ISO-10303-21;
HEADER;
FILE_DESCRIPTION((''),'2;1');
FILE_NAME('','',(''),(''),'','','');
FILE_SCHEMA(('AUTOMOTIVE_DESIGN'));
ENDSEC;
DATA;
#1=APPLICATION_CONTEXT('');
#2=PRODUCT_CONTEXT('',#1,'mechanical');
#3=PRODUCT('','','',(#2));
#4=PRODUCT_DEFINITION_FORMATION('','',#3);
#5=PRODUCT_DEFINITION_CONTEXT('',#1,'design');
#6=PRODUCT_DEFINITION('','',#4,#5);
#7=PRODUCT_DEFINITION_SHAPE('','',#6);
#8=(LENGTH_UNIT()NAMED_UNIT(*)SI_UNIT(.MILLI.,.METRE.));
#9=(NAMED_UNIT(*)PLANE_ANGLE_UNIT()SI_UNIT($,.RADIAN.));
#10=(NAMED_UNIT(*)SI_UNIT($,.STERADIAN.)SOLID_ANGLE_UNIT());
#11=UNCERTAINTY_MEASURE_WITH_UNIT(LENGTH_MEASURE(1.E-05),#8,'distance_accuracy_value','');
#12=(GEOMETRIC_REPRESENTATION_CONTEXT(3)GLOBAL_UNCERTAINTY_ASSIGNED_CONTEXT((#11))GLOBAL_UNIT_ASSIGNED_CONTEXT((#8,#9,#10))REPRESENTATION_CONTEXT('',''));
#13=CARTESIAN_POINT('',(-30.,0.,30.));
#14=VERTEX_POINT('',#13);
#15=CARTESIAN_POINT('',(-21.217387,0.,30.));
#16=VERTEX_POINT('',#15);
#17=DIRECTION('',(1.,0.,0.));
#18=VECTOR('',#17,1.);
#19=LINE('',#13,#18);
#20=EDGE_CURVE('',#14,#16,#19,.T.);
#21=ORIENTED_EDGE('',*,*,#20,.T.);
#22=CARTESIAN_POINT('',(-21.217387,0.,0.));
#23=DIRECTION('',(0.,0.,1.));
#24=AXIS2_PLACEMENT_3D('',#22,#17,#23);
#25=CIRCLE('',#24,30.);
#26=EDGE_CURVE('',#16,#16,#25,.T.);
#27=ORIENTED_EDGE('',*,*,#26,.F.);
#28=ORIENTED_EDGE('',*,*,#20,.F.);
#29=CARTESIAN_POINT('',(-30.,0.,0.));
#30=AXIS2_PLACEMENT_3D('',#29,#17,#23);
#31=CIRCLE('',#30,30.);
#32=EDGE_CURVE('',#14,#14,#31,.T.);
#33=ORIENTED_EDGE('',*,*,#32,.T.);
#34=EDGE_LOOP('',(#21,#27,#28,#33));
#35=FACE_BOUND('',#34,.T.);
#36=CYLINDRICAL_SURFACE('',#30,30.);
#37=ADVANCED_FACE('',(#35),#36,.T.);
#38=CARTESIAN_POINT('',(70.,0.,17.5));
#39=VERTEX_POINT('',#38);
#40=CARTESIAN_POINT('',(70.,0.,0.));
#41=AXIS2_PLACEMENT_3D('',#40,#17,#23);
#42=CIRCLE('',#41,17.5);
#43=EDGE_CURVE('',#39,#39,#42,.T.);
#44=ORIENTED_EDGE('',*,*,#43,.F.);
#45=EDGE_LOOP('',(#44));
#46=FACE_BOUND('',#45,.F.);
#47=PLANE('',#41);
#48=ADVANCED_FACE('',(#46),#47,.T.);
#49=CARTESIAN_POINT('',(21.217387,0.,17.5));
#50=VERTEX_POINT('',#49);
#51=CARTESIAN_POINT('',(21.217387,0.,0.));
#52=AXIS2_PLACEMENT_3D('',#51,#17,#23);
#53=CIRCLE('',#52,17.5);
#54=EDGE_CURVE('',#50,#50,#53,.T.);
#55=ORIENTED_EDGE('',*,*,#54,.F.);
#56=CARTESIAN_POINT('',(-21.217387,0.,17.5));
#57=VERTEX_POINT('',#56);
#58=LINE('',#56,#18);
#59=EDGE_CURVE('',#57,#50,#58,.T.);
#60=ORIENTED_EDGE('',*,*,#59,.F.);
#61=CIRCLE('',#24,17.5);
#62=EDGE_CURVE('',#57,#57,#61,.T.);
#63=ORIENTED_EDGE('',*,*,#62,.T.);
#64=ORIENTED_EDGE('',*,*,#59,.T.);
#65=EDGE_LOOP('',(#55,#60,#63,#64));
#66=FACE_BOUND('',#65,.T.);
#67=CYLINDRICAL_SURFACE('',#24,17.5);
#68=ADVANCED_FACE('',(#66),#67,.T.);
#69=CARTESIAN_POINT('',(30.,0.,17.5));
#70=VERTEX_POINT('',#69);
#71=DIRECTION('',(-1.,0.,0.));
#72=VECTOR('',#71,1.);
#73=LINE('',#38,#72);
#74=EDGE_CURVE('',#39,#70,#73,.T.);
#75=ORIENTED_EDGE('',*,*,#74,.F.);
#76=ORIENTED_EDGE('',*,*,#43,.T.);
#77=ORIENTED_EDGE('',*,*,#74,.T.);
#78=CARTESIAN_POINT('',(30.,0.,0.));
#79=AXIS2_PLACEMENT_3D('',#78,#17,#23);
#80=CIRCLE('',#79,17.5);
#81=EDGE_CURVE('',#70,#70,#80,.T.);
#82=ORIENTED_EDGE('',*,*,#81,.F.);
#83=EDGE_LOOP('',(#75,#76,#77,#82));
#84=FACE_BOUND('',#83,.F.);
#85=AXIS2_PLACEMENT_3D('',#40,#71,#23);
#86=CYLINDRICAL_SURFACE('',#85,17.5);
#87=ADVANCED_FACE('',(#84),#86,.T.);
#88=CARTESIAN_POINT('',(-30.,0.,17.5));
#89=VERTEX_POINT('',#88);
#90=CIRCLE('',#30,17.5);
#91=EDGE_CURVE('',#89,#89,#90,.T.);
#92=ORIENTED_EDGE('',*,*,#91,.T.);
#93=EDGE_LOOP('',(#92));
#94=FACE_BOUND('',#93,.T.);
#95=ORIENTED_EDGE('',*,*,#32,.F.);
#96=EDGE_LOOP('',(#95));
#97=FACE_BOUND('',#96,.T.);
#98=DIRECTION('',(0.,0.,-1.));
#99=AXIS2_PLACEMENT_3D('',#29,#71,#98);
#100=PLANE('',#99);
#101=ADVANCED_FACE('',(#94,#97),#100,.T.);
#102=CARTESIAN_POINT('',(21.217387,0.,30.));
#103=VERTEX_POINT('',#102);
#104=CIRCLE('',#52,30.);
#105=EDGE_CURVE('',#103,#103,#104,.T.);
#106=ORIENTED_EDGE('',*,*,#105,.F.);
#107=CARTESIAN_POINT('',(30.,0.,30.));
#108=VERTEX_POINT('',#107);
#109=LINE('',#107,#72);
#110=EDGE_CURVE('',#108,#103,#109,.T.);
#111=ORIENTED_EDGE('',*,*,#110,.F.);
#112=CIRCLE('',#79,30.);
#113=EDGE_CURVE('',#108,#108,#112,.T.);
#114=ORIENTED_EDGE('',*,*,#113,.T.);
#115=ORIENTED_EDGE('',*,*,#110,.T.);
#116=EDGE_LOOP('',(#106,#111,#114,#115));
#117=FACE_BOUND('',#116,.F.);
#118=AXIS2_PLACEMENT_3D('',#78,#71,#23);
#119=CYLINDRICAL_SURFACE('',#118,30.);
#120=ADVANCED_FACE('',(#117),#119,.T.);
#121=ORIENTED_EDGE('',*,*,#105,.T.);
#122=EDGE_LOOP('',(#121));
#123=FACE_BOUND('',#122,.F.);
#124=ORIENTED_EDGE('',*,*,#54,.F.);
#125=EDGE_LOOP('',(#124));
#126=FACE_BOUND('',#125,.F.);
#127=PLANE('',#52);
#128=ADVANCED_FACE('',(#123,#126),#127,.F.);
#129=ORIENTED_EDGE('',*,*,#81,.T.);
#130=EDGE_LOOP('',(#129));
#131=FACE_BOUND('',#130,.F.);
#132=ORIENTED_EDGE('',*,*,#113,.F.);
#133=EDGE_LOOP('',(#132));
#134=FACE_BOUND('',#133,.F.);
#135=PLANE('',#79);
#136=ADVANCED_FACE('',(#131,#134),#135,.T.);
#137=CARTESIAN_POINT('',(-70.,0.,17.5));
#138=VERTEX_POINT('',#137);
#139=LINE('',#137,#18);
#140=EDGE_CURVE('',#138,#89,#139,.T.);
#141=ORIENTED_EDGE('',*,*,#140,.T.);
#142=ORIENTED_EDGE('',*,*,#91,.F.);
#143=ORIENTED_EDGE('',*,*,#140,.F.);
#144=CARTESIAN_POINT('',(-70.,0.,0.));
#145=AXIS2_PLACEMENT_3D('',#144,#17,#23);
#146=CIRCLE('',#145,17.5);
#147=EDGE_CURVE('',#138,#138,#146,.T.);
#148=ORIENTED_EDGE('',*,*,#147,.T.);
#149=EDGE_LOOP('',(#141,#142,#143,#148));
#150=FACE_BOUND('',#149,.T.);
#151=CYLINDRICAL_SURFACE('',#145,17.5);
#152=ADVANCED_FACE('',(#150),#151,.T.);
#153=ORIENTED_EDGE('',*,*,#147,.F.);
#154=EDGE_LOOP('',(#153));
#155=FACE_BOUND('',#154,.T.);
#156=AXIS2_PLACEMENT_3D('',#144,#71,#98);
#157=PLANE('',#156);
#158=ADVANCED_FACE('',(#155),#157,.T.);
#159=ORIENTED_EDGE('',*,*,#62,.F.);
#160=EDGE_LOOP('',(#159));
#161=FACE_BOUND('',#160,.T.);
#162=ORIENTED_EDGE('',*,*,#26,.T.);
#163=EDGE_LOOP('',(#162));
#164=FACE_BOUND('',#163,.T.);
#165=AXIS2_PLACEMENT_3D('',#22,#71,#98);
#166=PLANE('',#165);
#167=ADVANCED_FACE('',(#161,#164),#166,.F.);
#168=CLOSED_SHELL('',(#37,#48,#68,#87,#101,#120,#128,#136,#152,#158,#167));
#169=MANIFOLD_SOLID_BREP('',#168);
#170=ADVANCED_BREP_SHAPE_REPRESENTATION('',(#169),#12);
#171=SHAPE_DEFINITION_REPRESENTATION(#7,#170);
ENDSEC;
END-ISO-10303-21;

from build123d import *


with BuildPart() as f1:
    # F0 (on Front) → F1 (revolve)
    with BuildSketch(Plane.XZ):
        Polygon((0, 0), (70, 0), (70, 17.5), (30, 17.5), (30, 30), (21.217387, 30), (21.217387, 17.5), (0, 17.5), align=None)
    revolve(axis=Axis((35, 0, 0), (1, 0, 0)))

    # F2: F1 across plane


with BuildPart() as f1_1:
    add(f1.part)
    add(f1.part.mirror(Plane.YZ))


solid = f1_1.part
